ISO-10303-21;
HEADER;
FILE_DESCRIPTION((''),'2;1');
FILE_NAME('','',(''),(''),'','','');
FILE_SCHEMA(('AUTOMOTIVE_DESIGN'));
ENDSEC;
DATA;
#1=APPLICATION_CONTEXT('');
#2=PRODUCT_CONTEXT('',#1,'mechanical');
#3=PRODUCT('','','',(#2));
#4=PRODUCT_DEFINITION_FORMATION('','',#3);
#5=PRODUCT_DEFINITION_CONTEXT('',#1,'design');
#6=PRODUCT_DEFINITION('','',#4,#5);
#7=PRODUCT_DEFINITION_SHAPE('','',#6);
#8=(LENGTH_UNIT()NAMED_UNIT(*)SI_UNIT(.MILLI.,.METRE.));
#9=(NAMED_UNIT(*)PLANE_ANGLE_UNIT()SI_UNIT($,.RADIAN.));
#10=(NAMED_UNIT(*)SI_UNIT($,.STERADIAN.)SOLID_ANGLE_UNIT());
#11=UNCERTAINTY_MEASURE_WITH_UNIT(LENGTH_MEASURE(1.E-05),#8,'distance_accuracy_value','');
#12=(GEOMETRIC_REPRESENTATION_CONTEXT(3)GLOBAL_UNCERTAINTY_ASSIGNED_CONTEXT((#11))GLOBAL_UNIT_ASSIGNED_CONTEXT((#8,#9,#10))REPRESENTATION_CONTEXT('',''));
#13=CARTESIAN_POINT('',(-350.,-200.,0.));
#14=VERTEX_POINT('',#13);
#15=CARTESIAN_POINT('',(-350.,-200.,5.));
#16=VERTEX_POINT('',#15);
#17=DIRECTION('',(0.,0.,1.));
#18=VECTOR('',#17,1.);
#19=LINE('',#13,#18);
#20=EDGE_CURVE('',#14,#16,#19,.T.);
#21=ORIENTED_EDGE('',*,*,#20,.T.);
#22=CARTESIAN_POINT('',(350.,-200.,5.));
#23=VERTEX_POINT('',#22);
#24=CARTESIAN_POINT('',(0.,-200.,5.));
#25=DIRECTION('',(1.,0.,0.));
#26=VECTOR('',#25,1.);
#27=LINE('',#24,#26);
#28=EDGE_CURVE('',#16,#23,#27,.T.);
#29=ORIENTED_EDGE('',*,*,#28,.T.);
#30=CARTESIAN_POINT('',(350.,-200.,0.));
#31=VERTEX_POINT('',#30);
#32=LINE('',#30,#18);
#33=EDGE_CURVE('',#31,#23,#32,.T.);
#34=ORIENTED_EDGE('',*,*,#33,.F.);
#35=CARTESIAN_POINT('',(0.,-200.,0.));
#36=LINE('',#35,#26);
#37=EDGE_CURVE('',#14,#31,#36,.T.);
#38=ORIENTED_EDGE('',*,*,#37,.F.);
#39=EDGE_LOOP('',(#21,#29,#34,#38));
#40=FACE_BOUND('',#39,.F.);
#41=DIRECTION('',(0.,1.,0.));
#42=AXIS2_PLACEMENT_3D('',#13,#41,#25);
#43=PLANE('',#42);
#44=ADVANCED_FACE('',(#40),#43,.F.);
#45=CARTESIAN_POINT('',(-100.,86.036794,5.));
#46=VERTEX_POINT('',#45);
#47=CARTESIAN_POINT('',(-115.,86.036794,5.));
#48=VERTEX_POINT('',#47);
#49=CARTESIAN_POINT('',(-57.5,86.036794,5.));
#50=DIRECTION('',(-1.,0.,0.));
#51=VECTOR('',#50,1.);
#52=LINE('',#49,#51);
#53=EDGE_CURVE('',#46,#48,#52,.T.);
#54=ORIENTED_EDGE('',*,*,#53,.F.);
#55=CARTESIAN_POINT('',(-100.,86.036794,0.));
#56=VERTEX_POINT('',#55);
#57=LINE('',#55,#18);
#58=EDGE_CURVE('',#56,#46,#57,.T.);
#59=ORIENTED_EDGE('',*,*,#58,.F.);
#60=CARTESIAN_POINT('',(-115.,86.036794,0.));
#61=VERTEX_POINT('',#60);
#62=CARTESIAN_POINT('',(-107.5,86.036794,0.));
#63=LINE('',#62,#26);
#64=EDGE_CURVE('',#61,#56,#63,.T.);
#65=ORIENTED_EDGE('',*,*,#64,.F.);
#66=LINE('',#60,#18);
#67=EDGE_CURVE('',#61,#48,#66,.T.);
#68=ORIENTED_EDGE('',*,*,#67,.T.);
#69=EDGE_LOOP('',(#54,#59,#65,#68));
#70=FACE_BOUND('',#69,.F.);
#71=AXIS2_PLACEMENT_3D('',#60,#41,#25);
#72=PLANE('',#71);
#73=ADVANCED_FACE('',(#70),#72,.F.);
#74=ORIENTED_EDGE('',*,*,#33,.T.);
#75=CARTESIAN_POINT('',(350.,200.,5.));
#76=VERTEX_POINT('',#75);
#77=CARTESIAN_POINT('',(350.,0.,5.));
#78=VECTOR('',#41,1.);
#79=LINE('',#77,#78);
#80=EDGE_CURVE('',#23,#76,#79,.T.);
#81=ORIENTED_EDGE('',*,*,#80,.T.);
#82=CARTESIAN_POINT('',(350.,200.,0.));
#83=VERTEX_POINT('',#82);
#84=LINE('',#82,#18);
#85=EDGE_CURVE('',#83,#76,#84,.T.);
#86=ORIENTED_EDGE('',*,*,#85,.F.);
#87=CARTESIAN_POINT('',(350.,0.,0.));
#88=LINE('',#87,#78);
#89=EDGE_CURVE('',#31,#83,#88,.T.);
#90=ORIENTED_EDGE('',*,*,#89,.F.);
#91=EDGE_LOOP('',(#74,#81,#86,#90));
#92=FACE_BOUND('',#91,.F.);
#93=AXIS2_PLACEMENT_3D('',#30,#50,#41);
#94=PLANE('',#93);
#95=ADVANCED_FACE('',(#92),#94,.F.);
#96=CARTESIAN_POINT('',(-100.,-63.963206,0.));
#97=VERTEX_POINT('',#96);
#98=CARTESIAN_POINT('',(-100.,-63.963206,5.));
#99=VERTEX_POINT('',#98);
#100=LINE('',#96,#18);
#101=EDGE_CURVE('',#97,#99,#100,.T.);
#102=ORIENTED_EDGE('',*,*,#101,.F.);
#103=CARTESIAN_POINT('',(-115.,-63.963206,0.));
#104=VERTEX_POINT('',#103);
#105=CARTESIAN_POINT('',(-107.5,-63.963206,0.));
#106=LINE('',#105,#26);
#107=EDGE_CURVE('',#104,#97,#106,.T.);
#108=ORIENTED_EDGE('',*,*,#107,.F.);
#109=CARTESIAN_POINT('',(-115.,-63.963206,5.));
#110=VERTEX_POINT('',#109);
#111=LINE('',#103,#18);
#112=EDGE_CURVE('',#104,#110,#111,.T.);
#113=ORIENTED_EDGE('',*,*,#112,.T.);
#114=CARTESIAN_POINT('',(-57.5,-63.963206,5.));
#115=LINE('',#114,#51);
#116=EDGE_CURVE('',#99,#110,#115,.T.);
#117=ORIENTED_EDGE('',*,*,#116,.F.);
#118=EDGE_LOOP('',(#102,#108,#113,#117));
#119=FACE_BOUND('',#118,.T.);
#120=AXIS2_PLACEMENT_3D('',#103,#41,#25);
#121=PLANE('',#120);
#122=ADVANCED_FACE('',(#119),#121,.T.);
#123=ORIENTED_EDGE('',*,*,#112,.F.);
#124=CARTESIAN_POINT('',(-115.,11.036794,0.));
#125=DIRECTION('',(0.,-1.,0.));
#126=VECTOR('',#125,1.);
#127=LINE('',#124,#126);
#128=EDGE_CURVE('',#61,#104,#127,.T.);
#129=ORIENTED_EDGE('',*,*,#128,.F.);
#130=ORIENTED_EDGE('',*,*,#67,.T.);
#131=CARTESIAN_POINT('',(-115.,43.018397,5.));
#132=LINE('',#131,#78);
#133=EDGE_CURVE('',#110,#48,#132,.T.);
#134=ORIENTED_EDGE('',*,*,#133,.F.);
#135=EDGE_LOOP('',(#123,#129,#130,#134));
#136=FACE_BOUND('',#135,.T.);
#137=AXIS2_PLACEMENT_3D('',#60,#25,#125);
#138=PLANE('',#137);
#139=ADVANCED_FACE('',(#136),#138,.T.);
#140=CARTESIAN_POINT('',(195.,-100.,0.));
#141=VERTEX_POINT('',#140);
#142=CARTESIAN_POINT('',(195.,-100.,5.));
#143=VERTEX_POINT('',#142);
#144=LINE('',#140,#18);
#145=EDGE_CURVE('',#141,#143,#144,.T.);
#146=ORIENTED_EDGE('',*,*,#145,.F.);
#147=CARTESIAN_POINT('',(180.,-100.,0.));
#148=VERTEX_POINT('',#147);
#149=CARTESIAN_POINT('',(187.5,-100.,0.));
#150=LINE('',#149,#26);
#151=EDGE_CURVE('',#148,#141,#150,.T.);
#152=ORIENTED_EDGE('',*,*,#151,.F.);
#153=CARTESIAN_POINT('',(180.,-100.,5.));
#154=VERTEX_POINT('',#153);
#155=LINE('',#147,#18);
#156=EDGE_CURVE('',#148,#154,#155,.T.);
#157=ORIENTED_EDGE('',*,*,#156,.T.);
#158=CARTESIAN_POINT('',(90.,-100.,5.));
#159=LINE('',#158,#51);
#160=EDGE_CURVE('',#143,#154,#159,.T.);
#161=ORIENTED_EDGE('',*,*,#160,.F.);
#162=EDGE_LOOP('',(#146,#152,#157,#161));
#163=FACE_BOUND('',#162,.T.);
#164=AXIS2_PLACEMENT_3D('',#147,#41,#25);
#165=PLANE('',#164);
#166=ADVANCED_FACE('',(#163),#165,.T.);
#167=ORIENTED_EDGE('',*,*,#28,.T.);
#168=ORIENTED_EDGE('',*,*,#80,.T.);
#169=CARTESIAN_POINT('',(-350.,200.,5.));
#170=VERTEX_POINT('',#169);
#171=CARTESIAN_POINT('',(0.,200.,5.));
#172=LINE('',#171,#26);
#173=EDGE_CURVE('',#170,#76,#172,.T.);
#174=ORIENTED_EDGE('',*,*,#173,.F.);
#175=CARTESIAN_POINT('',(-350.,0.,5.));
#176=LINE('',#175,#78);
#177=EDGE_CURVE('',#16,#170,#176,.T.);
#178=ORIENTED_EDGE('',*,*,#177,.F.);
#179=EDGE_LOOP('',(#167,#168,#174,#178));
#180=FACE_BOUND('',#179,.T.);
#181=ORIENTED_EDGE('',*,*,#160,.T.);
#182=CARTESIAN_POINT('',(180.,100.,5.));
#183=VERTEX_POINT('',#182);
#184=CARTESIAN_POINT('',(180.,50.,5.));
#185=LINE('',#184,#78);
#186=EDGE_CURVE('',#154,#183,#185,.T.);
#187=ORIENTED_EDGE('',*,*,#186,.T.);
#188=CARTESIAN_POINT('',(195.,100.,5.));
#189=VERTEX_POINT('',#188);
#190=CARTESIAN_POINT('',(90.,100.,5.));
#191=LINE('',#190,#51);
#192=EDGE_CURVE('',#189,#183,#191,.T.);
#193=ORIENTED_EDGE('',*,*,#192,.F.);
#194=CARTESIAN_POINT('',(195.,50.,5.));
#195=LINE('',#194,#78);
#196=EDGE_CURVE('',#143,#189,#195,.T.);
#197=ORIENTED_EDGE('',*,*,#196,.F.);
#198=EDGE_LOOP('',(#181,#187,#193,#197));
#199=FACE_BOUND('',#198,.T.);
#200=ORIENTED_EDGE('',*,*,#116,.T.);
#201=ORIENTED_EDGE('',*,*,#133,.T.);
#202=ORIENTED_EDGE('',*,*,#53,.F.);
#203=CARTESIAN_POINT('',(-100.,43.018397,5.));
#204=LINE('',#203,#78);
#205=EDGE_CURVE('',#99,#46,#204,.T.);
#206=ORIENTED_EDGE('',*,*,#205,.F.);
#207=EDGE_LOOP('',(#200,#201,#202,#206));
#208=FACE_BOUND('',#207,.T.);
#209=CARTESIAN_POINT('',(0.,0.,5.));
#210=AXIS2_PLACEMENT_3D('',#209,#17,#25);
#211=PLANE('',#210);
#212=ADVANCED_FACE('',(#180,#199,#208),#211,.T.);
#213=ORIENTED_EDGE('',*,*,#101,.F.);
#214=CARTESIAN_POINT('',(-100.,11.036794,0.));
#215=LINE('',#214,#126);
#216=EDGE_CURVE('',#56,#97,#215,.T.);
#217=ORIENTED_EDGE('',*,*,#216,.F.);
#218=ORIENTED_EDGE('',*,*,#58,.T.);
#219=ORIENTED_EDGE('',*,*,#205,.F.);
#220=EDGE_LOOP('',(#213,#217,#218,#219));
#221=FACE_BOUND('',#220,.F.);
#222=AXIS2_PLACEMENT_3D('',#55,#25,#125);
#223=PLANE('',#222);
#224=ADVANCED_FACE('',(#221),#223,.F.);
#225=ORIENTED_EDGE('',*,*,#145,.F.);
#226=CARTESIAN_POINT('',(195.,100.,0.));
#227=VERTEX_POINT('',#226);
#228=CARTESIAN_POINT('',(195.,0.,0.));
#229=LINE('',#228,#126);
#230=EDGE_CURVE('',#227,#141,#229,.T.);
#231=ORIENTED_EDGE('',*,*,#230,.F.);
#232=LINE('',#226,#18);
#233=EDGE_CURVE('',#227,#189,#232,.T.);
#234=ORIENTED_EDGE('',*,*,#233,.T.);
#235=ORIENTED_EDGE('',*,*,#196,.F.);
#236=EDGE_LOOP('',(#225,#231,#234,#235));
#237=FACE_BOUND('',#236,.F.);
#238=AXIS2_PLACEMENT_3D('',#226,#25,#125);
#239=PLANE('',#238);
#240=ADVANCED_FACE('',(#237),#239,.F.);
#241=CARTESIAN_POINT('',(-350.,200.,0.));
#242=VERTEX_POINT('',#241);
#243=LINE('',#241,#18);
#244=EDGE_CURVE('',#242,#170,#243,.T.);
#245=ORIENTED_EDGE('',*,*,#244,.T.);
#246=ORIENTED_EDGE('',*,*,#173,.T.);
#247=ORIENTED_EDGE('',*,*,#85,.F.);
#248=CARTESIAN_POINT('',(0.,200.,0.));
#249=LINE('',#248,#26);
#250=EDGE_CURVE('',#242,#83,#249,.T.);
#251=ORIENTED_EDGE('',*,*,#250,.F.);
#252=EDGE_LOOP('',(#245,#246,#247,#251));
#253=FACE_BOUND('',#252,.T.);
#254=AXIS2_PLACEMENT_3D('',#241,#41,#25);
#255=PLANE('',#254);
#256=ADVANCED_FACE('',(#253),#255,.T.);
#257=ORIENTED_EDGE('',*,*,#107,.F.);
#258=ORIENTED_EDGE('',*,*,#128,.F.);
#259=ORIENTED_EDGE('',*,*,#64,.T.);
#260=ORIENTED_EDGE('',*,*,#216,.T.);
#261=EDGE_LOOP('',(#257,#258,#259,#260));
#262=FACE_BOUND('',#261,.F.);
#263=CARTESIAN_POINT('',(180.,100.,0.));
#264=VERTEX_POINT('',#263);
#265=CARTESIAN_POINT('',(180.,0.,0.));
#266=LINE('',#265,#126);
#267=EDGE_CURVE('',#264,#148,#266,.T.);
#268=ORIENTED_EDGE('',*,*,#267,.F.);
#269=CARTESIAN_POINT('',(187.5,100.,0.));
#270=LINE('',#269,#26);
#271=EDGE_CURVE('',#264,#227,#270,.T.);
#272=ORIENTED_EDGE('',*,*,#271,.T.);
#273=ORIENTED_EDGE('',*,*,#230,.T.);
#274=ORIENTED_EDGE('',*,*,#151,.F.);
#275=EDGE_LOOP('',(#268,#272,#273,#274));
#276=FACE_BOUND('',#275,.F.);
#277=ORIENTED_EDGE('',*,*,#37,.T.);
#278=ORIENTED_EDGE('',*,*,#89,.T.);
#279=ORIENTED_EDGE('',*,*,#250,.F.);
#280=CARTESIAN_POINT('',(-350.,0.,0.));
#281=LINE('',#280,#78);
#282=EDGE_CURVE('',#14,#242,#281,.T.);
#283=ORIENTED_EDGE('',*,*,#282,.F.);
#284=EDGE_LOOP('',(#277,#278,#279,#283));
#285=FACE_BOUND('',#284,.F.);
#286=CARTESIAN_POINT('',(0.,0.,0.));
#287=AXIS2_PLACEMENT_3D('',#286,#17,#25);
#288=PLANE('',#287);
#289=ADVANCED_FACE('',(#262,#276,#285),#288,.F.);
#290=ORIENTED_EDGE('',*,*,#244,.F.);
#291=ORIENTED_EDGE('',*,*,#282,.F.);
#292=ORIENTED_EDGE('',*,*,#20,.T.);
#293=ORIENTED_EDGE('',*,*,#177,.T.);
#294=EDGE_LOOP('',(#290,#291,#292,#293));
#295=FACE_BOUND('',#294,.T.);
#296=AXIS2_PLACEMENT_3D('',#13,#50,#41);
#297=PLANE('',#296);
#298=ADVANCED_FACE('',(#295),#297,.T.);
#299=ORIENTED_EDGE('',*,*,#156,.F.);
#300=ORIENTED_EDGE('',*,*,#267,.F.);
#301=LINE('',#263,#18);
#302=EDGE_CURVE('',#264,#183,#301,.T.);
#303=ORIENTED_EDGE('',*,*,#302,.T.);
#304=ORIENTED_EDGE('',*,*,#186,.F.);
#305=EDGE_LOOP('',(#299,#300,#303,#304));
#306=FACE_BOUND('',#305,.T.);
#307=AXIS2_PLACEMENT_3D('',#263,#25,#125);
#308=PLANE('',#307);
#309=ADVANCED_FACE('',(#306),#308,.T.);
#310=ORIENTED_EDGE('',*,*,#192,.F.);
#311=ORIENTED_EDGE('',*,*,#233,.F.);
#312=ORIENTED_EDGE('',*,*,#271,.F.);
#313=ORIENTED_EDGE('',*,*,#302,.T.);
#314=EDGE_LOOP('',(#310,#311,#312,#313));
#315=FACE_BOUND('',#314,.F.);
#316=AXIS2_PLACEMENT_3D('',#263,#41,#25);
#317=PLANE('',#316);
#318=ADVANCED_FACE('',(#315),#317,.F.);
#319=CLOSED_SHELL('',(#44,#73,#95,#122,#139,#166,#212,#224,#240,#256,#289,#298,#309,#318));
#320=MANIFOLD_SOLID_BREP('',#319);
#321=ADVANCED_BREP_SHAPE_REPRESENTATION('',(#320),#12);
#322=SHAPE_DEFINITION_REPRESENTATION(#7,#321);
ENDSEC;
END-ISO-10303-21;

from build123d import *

# Parameters (mm, degrees)
F0_W     = 700
F0_H     = 400
F1_DEPTH = 5
F2_W     = 15
F2_H     = 200
F2_H_2   = 150
F3_DEPTH = 25


with BuildPart() as f1:
    # F0 (on Top) → F1 (new body)
    with BuildSketch(Plane.XY):
        Rectangle(F0_W, F0_H)
    extrude(amount=F1_DEPTH)

    # F2 (on face) → F3 (cut)
    with BuildSketch(Plane(origin=(0, 0, 0), x_dir=(1, 0, 0), z_dir=(0, 0, -1))):
        with Locations((187.5, 0)):
            Rectangle(F2_W, F2_H)
        with Locations((-107.5, -11.036794)):
            Rectangle(F2_W, F2_H_2)
    extrude(amount=-F3_DEPTH, mode=Mode.SUBTRACT)


solid = f1.part
